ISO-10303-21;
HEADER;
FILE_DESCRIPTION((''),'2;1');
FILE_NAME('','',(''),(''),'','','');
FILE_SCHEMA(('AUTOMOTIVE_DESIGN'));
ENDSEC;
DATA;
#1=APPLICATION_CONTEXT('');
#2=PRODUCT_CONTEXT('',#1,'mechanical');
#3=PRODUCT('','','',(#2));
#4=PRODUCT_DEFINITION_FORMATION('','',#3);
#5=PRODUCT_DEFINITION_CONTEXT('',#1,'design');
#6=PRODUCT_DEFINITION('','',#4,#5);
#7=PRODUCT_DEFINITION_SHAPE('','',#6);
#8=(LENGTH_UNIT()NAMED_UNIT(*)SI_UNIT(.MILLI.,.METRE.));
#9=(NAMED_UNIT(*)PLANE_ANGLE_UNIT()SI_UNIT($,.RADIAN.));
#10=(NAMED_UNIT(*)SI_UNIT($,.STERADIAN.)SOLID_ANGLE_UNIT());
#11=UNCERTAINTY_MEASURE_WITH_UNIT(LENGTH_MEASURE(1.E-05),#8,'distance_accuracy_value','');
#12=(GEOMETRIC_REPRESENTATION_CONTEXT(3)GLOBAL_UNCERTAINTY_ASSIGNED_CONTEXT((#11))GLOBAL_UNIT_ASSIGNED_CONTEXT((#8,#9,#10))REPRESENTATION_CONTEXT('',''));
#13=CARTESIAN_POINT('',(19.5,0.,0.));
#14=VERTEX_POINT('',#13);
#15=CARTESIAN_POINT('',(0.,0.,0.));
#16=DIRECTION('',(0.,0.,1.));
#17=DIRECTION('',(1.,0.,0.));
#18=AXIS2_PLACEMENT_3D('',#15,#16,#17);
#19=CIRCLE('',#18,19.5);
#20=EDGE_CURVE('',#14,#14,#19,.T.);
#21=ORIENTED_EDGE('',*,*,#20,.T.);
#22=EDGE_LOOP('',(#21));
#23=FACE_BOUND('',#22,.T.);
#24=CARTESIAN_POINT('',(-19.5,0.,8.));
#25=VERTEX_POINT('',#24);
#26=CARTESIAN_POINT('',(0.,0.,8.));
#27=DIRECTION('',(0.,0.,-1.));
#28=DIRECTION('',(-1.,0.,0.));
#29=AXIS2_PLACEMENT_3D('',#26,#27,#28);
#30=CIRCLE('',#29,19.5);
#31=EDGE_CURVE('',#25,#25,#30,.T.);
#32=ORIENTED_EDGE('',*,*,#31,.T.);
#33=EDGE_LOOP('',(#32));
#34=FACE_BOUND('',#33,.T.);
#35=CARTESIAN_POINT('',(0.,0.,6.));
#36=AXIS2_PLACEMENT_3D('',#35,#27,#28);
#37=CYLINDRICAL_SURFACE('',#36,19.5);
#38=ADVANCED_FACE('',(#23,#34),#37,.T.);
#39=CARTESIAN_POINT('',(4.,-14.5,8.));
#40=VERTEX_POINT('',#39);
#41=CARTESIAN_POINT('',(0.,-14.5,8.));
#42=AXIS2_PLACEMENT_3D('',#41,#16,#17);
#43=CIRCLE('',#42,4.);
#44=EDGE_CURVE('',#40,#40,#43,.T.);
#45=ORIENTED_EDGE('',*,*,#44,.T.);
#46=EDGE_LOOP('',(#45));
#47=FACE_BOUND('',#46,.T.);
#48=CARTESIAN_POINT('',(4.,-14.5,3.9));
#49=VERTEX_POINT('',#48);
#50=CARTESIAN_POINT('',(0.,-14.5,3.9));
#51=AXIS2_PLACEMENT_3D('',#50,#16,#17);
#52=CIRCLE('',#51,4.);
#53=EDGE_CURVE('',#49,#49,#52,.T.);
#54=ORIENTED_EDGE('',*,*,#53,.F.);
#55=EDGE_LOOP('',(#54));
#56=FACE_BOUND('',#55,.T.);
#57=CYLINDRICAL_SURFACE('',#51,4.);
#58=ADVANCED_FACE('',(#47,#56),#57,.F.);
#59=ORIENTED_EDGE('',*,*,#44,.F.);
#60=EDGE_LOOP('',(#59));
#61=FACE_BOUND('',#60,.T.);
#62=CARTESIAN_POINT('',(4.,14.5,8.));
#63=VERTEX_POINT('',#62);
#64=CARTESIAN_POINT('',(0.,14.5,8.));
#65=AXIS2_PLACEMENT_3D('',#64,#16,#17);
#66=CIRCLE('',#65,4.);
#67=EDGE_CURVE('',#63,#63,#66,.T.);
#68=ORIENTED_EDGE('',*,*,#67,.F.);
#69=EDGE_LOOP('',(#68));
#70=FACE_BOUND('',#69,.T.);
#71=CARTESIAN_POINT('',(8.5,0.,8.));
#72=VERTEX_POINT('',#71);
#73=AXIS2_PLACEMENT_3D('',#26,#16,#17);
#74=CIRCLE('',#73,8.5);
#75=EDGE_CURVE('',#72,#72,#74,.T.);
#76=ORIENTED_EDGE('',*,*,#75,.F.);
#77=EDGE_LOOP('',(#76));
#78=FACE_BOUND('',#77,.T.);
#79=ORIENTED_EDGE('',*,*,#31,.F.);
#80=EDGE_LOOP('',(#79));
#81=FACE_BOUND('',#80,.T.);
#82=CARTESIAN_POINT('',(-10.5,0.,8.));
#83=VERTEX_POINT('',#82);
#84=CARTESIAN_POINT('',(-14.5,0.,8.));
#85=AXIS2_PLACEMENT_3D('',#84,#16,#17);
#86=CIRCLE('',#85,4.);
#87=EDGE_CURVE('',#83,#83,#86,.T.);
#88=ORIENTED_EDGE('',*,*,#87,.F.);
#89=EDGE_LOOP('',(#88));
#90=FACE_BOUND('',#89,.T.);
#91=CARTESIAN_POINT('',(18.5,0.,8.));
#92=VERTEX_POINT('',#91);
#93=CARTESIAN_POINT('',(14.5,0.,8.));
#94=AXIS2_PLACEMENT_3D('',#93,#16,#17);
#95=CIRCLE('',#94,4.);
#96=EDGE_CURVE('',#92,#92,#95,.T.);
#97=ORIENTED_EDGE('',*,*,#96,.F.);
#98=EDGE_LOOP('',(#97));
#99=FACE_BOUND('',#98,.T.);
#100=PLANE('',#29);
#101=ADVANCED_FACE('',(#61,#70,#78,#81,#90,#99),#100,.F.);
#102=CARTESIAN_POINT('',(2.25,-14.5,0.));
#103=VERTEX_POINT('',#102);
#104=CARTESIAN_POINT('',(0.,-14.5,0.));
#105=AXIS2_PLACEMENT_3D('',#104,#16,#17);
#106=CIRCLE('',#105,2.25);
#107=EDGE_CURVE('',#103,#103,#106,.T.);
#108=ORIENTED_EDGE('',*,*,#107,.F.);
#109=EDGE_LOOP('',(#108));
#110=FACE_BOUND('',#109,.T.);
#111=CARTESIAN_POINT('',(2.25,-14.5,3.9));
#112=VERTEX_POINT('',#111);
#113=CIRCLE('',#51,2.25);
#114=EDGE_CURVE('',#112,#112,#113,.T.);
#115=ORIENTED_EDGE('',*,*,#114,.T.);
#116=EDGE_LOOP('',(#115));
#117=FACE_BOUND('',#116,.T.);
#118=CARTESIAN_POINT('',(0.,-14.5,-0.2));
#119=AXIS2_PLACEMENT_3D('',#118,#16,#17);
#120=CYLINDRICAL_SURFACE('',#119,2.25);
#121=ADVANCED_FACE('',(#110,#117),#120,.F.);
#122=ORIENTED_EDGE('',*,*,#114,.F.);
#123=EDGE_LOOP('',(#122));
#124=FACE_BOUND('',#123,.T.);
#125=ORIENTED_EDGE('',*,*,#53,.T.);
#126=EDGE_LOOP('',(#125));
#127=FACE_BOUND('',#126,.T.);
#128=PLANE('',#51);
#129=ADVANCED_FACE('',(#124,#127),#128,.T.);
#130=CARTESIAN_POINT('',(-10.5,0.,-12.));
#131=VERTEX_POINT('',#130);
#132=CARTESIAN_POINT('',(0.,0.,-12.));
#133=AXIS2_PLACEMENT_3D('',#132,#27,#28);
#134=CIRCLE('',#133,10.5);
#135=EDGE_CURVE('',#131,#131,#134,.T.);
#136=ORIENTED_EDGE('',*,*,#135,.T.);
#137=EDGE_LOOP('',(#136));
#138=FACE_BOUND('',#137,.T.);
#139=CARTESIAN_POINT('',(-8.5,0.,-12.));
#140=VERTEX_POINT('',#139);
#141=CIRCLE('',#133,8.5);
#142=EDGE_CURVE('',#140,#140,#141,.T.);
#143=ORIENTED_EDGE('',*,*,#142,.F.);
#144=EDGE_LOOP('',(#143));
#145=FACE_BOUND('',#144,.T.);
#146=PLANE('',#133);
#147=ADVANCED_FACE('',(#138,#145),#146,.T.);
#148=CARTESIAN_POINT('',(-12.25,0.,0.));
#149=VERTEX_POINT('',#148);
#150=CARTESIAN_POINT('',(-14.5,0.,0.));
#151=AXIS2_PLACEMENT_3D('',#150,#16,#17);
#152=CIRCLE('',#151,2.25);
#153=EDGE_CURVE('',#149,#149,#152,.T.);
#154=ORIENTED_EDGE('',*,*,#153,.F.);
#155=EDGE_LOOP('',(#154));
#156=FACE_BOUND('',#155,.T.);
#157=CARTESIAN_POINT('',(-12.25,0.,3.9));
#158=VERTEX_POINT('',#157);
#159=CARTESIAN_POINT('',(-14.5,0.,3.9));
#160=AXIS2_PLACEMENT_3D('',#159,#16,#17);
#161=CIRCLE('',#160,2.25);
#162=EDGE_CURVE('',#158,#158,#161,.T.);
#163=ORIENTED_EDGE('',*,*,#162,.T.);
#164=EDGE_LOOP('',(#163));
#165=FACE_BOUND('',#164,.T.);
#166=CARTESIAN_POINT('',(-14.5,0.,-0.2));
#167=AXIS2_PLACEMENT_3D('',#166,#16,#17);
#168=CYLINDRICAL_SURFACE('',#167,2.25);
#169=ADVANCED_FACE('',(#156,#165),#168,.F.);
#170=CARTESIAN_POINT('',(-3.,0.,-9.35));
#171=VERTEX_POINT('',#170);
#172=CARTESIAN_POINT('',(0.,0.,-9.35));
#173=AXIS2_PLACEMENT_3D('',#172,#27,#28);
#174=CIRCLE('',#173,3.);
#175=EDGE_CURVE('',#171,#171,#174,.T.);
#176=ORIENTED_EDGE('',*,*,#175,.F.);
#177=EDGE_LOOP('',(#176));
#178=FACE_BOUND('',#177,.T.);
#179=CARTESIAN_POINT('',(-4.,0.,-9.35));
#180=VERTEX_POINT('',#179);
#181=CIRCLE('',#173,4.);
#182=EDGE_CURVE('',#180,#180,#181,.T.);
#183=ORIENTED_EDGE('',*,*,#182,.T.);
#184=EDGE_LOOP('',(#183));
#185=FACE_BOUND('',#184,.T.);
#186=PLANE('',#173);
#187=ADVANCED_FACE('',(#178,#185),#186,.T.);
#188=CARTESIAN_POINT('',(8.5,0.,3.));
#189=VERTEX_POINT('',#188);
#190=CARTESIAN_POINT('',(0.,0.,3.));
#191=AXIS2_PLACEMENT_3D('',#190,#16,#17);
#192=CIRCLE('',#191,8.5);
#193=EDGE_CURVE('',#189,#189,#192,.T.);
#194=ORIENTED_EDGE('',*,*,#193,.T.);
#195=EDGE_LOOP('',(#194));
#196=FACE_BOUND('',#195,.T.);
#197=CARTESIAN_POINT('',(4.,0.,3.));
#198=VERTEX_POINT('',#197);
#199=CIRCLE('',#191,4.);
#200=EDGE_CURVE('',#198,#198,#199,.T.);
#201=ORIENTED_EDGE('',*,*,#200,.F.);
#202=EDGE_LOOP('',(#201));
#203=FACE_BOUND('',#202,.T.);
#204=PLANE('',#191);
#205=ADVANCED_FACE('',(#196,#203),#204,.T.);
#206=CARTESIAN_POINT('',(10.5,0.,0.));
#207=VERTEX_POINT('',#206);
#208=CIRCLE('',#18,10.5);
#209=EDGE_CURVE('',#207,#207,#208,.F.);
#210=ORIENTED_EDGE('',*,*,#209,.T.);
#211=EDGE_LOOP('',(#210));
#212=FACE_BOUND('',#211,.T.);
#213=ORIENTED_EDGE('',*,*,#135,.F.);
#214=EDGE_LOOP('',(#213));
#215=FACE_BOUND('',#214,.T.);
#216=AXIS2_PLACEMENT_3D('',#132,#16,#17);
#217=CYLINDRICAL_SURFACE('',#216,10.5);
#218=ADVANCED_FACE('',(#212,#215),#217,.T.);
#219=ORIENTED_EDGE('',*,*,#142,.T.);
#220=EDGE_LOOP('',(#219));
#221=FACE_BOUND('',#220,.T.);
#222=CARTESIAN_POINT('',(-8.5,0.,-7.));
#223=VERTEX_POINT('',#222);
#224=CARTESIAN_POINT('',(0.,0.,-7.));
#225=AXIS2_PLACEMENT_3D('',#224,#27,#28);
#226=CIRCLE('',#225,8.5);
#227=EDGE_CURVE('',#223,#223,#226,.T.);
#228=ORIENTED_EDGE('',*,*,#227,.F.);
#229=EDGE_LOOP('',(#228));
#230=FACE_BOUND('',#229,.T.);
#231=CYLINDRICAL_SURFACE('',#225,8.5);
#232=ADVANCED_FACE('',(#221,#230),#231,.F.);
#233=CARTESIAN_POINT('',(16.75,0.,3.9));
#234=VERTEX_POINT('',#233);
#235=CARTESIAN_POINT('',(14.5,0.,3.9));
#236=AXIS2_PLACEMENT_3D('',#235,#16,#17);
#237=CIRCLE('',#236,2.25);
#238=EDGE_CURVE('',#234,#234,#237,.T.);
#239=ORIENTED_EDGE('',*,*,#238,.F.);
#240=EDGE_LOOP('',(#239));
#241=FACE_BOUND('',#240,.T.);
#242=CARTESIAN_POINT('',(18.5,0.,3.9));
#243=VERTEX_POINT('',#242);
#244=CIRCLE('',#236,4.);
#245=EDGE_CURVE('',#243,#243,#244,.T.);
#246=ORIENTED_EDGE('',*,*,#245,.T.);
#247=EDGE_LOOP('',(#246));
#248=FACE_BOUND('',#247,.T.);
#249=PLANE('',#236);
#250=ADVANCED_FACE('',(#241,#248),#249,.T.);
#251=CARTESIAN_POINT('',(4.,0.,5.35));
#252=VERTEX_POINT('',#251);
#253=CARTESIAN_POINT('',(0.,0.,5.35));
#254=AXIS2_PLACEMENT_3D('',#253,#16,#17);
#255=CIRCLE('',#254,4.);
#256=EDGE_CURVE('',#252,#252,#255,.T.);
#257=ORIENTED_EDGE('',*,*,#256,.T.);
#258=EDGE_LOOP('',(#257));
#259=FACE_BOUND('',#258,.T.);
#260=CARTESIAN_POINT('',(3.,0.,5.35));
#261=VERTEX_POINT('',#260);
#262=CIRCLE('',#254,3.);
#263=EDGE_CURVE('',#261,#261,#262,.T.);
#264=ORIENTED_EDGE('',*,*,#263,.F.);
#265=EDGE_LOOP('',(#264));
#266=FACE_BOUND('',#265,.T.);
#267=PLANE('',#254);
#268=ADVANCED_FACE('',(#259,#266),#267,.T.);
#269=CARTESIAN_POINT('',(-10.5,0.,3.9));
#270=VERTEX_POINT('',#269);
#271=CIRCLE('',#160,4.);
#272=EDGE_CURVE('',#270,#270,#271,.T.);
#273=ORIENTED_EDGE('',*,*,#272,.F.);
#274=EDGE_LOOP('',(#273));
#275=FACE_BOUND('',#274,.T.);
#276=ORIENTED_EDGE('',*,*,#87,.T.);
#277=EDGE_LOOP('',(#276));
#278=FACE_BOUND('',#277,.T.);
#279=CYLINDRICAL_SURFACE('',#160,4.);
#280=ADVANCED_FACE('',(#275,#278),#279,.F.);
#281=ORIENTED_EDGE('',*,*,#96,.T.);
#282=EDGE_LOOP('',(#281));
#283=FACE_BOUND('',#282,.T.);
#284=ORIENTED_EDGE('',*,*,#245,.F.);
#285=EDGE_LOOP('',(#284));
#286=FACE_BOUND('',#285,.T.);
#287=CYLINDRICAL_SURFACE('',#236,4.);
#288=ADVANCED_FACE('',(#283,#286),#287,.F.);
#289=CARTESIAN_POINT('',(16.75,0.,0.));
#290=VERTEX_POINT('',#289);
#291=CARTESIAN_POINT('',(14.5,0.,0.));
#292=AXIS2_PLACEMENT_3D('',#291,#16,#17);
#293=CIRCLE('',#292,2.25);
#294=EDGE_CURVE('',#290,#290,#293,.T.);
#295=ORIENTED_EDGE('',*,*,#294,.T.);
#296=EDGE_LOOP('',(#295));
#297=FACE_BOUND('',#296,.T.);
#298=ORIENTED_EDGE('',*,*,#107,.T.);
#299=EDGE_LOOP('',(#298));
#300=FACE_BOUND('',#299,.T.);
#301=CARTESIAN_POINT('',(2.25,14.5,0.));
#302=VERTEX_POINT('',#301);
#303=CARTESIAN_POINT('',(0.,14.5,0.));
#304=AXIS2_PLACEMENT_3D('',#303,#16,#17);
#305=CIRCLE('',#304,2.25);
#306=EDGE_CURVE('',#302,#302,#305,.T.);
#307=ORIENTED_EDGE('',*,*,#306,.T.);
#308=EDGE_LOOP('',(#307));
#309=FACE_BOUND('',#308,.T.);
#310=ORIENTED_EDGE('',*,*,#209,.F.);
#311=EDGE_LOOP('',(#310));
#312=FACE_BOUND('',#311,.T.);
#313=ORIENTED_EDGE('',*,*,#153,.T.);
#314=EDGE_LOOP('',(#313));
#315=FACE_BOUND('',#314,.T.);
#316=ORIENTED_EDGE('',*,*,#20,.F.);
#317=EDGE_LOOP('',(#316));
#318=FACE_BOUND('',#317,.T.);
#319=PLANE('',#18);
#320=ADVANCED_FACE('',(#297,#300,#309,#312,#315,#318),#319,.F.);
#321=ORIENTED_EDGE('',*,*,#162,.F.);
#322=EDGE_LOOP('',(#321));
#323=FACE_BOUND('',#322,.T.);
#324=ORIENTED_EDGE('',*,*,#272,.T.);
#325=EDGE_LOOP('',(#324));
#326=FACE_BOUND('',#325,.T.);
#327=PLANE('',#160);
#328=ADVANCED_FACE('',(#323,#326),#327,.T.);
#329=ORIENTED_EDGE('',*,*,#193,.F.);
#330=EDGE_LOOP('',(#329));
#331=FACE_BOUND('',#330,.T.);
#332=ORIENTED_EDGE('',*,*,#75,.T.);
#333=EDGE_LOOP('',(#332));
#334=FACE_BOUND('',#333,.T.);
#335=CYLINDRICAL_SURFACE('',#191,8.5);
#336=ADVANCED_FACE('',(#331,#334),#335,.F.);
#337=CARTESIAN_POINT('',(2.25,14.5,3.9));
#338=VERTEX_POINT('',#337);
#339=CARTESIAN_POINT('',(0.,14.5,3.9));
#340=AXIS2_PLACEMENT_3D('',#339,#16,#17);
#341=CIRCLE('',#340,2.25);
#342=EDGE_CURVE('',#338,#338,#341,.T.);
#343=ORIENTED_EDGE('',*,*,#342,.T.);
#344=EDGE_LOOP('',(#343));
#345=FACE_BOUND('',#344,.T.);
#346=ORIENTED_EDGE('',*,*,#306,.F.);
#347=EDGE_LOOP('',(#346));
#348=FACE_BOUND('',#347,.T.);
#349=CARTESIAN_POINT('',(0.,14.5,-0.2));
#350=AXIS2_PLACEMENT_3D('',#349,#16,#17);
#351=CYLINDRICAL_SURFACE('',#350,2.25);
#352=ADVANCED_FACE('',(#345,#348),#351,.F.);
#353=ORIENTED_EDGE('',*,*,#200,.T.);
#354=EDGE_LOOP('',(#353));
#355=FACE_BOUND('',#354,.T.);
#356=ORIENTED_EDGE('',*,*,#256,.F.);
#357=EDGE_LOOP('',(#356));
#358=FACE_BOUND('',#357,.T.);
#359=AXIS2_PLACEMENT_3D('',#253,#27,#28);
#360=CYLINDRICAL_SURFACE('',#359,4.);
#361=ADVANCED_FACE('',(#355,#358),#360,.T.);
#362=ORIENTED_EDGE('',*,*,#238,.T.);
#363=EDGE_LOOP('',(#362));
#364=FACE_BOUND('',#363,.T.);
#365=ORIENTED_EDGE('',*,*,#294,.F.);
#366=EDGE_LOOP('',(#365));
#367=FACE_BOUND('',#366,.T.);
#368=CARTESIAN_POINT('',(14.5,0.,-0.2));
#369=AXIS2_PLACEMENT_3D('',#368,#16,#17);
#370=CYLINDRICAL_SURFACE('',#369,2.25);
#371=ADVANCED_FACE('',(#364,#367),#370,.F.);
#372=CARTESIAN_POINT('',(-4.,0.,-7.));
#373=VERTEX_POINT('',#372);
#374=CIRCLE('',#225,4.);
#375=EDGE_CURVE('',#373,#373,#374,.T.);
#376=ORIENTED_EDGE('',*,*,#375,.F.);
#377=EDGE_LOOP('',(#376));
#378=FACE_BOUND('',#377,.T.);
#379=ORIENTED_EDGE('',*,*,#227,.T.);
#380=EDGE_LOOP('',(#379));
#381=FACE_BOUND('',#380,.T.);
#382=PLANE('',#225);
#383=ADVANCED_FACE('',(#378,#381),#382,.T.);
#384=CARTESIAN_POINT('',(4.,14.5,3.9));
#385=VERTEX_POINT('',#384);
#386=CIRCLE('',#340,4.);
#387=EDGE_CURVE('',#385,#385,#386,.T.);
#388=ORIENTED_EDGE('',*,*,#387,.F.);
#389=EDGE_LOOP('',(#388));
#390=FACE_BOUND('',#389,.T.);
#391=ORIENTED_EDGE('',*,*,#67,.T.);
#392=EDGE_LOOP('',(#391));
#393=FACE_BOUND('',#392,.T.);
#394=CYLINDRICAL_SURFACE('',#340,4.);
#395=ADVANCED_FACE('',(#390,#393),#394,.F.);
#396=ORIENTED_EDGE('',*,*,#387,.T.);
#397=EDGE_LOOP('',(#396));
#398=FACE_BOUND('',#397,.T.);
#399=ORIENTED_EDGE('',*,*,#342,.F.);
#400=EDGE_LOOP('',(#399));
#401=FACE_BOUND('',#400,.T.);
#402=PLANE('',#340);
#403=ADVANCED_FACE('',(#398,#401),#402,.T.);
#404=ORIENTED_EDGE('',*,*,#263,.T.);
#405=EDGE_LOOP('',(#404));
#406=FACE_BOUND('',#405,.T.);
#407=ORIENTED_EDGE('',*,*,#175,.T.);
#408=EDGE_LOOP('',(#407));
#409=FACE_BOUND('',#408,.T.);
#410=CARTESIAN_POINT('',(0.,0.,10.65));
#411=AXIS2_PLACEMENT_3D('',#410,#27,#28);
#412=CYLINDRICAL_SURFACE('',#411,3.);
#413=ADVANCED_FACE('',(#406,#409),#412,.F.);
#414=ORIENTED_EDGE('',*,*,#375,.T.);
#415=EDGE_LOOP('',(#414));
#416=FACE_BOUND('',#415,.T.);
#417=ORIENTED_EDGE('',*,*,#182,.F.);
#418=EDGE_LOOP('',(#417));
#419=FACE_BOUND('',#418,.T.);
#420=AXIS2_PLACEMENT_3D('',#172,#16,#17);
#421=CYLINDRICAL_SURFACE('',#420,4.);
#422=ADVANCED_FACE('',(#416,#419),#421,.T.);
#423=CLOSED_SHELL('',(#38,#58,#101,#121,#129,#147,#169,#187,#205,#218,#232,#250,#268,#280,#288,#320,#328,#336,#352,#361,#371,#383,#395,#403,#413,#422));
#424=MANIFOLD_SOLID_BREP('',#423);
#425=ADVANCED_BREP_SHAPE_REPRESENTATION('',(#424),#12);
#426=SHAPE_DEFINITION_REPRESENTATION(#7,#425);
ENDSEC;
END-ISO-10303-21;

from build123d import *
from build123d.topology import SkipClean

# Parameters (mm, degrees)
SKETCH_1_R           = 19.5
EXTRUDE_1_DEPTH      = 6
SKETCH_2_R           = 9.5
EXTRUDE_2_DEPTH      = 3
SKETCH_3_R           = 5
CUT_EXTRUDE_1_DEPTH  = 50
SKETCH_4_R           = 4
CUT_EXTRUDE_2_DEPTH  = 4.4
SKETCH_5_R           = 2.25
CUT_EXTRUDE_3_DEPTH  = 4.4
SKETCH_6_R           = 2.25
CUT_EXTRUDE_4_DEPTH  = 4.4
SKETCH_7_R           = 2.25
CUT_EXTRUDE_5_DEPTH  = 4.4
SKETCH_8_R           = 10.5
EXTRUDE_3_DEPTH      = 12
SKETCH_9_R           = 8.5
CUT_EXTRUDE_6_DEPTH  = 20
SKETCH_10_R          = 19.5
EXTRUDE_4_DEPTH      = 8
CUT_EXTRUDE_START    = -8
SKETCH_11_R          = 8.5
CUT_EXTRUDE_8_DEPTH  = 8
SKETCH_12_R          = 4
CUT_EXTRUDE_10_DEPTH = 4.1
SKETCH_13_R          = 2.25
CUT_EXTRUDE_11_DEPTH = 4.1
EXTRUDE_START        = -20
SKETCH_14_R          = 8.5
EXTRUDE_5_DEPTH      = 20
SKETCH_15_R          = 8.5
CUT_EXTRUDE_12_DEPTH = 5
SKETCH_17_R          = 4
EXTRUDE_7_DEPTH      = 2.35
SKETCH_18_R          = 3
CUT_EXTRUDE_13_DEPTH = 20
CUT_EXTRUDE_START_2  = -5
SKETCH_19_R          = 8.5
CUT_EXTRUDE_14_DEPTH = 5
EXTRUDE_START_2      = 2.35
SKETCH_20_R          = 4
EXTRUDE_8_DEPTH      = 2.35
CUT_EXTRUDE_START_3  = -2.35
SKETCH_21_R          = 3
CUT_EXTRUDE_15_DEPTH = 2.35


with BuildPart() as part:
    # 草图1 → 凸台-拉伸1 (new body)
    with BuildSketch(Plane.XY):
        Circle(SKETCH_1_R)
    extrude(amount=EXTRUDE_1_DEPTH)

    # 草图2 → 凸台-拉伸2 (add)
    with BuildSketch(Plane(origin=(0, 0, 0), x_dir=(-1, 0, 0), z_dir=(0, 0, -1))):
        Circle(SKETCH_2_R)
    extrude(amount=EXTRUDE_2_DEPTH)

    # 草图3 → 切除-拉伸1 (cut)
    with BuildSketch(Plane(origin=(0, 0, -3), x_dir=(-1, 0, 0), z_dir=(0, 0, -1))):
        Circle(SKETCH_3_R)
    extrude(amount=-CUT_EXTRUDE_1_DEPTH, mode=Mode.SUBTRACT)

    # 草图4 → 切除-拉伸2 (cut)
    with BuildSketch(Plane.XY.offset(6)):
        with Locations((0, 14.5)):
            Circle(SKETCH_4_R)
        with Locations((14.5, 0)):
            Circle(SKETCH_4_R)
        with Locations((0, -14.5)):
            Circle(SKETCH_4_R)
        with Locations((-14.5, 0)):
            Circle(SKETCH_4_R)
    extrude(amount=-CUT_EXTRUDE_2_DEPTH, mode=Mode.SUBTRACT)

    # 草图5 → 切除-拉伸3 (cut)
    with BuildSketch(Plane.XY.offset(1.6)):
        with Locations((-14.5, 0)):
            Circle(SKETCH_5_R)
    extrude(amount=-CUT_EXTRUDE_3_DEPTH, mode=Mode.SUBTRACT)

    # 草图6 → 切除-拉伸4 (cut)
    with BuildSketch(Plane.XY.offset(1.6)):
        with Locations((0, 14.5)):
            Circle(SKETCH_6_R)
    extrude(amount=-CUT_EXTRUDE_4_DEPTH, mode=Mode.SUBTRACT)

    # 草图7 → 切除-拉伸5 (cut)
    with BuildSketch(Plane.XY.offset(1.6)):
        with Locations((14.5, 0)):
            Circle(SKETCH_7_R)
        with Locations((0, -14.5)):
            Circle(SKETCH_7_R)
    extrude(amount=-CUT_EXTRUDE_5_DEPTH, mode=Mode.SUBTRACT)

    # 草图8 → 凸台-拉伸3 (add)
    with BuildSketch(Plane(origin=(0, 0, 0), x_dir=(-1, 0, 0), z_dir=(0, 0, -1))):
        with Locations(Location((0, 0, 0), (0, 0, 180))):
            Circle(SKETCH_8_R)
    extrude(amount=EXTRUDE_3_DEPTH)

    # 草图9 → 切除-拉伸6 (cut)
    with BuildSketch(Plane(origin=(0, 0, -12), x_dir=(-1, 0, 0), z_dir=(0, 0, -1))):
        Circle(SKETCH_9_R)
    extrude(amount=-CUT_EXTRUDE_6_DEPTH, mode=Mode.SUBTRACT)

    # 草图10 → 凸台-拉伸4 (add)
    with SkipClean():  # the faces are left unmerged after this step: merging them gives an invalid solid
        with BuildSketch(Plane(origin=(0, 0, 0), x_dir=(-1, 0, 0), z_dir=(0, 0, -1))):
            Circle(SKETCH_10_R)
        extrude(amount=-EXTRUDE_4_DEPTH)

    # 草图11 → 切除-拉伸8 (cut)
    with SkipClean():  # the faces are left unmerged after this step: merging them gives an invalid solid
        with BuildSketch(Plane.XY.offset(8).offset(CUT_EXTRUDE_START)):
            with Locations(Location((0, 0, 0), (0, 0, 180))):
                Circle(SKETCH_11_R)
        extrude(amount=CUT_EXTRUDE_8_DEPTH, mode=Mode.SUBTRACT)

    # 草图12 → 切除-拉伸10 (cut)
    with SkipClean():  # the faces are left unmerged after this step: merging them gives an invalid solid
        with BuildSketch(Plane.XY.offset(8)):
            with Locations((0, 14.5)):
                Circle(SKETCH_12_R)
            with Locations((14.5, 0)):
                Circle(SKETCH_12_R)
            with Locations((0, -14.5)):
                Circle(SKETCH_12_R)
            with Locations((-14.5, 0)):
                Circle(SKETCH_12_R)
        extrude(amount=-CUT_EXTRUDE_10_DEPTH, mode=Mode.SUBTRACT)

    # 草图13 → 切除-拉伸11 (cut)
    with SkipClean():  # the faces are left unmerged after this step: merging them gives an invalid solid
        with BuildSketch(Plane.XY.offset(3.9)):
            with Locations((0, 14.5)):
                Circle(SKETCH_13_R)
            with Locations((14.5, 0)):
                Circle(SKETCH_13_R)
            with Locations((0, -14.5)):
                Circle(SKETCH_13_R)
            with Locations((-14.5, 0)):
                Circle(SKETCH_13_R)
        extrude(amount=-CUT_EXTRUDE_11_DEPTH, mode=Mode.SUBTRACT)

    # 草图14 → 凸台-拉伸5 (add)
    with SkipClean():  # the faces are left unmerged after this step: merging them gives an invalid solid
        with BuildSketch(Plane.XY.offset(8).offset(EXTRUDE_START)):
            Circle(SKETCH_14_R)
        extrude(amount=EXTRUDE_5_DEPTH)

    # 草图15 → 切除-拉伸12 (cut)
    with SkipClean():  # the faces are left unmerged after this step: merging them gives an invalid solid
        with BuildSketch(Plane(origin=(0, 0, -12), x_dir=(-1, 0, 0), z_dir=(0, 0, -1))):
            Circle(SKETCH_15_R)
        extrude(amount=-CUT_EXTRUDE_12_DEPTH, mode=Mode.SUBTRACT)

    # 草图17 → 凸台-拉伸7 (add)
    with SkipClean():  # the faces are left unmerged after this step: merging them gives an invalid solid
        with BuildSketch(Plane(origin=(0, 0, -7), x_dir=(-1, 0, 0), z_dir=(0, 0, -1))):
            Circle(SKETCH_17_R)
        extrude(amount=EXTRUDE_7_DEPTH)

    # 草图18 → 切除-拉伸13 (cut)
    with SkipClean():  # the faces are left unmerged after this step: merging them gives an invalid solid
        with BuildSketch(Plane(origin=(0, 0, -9.35), x_dir=(-1, 0, 0), z_dir=(0, 0, -1))):
            Circle(SKETCH_18_R)
        extrude(amount=-CUT_EXTRUDE_13_DEPTH, mode=Mode.SUBTRACT)

    # 草图19 → 切除-拉伸14 (cut)
    with SkipClean():  # the faces are left unmerged after this step: merging them gives an invalid solid
        with BuildSketch(Plane.XY.offset(8).offset(CUT_EXTRUDE_START_2)):
            with Locations(Location((0, 0, 0), (0, 0, 180))):
                Circle(SKETCH_19_R)
        extrude(amount=CUT_EXTRUDE_14_DEPTH, mode=Mode.SUBTRACT)

    # 草图20 → 凸台-拉伸8 (add)
    with SkipClean():  # the faces are left unmerged after this step: merging them gives an invalid solid
        with BuildSketch(Plane.XY.offset(3).offset(EXTRUDE_START_2)):
            with Locations(Location((0, 0, 0), (0, 0, 180))):
                Circle(SKETCH_20_R)
        extrude(amount=-EXTRUDE_8_DEPTH)

    # 草图21 → 切除-拉伸15 (cut)
    with SkipClean():  # the faces are left unmerged after this step: merging them gives an invalid solid
        with BuildSketch(Plane.XY.offset(5.35).offset(CUT_EXTRUDE_START_3)):
            with Locations(Location((0, 0, 0), (0, 0, 180))):
                Circle(SKETCH_21_R)
        extrude(amount=CUT_EXTRUDE_15_DEPTH, mode=Mode.SUBTRACT)


solid = part.part
